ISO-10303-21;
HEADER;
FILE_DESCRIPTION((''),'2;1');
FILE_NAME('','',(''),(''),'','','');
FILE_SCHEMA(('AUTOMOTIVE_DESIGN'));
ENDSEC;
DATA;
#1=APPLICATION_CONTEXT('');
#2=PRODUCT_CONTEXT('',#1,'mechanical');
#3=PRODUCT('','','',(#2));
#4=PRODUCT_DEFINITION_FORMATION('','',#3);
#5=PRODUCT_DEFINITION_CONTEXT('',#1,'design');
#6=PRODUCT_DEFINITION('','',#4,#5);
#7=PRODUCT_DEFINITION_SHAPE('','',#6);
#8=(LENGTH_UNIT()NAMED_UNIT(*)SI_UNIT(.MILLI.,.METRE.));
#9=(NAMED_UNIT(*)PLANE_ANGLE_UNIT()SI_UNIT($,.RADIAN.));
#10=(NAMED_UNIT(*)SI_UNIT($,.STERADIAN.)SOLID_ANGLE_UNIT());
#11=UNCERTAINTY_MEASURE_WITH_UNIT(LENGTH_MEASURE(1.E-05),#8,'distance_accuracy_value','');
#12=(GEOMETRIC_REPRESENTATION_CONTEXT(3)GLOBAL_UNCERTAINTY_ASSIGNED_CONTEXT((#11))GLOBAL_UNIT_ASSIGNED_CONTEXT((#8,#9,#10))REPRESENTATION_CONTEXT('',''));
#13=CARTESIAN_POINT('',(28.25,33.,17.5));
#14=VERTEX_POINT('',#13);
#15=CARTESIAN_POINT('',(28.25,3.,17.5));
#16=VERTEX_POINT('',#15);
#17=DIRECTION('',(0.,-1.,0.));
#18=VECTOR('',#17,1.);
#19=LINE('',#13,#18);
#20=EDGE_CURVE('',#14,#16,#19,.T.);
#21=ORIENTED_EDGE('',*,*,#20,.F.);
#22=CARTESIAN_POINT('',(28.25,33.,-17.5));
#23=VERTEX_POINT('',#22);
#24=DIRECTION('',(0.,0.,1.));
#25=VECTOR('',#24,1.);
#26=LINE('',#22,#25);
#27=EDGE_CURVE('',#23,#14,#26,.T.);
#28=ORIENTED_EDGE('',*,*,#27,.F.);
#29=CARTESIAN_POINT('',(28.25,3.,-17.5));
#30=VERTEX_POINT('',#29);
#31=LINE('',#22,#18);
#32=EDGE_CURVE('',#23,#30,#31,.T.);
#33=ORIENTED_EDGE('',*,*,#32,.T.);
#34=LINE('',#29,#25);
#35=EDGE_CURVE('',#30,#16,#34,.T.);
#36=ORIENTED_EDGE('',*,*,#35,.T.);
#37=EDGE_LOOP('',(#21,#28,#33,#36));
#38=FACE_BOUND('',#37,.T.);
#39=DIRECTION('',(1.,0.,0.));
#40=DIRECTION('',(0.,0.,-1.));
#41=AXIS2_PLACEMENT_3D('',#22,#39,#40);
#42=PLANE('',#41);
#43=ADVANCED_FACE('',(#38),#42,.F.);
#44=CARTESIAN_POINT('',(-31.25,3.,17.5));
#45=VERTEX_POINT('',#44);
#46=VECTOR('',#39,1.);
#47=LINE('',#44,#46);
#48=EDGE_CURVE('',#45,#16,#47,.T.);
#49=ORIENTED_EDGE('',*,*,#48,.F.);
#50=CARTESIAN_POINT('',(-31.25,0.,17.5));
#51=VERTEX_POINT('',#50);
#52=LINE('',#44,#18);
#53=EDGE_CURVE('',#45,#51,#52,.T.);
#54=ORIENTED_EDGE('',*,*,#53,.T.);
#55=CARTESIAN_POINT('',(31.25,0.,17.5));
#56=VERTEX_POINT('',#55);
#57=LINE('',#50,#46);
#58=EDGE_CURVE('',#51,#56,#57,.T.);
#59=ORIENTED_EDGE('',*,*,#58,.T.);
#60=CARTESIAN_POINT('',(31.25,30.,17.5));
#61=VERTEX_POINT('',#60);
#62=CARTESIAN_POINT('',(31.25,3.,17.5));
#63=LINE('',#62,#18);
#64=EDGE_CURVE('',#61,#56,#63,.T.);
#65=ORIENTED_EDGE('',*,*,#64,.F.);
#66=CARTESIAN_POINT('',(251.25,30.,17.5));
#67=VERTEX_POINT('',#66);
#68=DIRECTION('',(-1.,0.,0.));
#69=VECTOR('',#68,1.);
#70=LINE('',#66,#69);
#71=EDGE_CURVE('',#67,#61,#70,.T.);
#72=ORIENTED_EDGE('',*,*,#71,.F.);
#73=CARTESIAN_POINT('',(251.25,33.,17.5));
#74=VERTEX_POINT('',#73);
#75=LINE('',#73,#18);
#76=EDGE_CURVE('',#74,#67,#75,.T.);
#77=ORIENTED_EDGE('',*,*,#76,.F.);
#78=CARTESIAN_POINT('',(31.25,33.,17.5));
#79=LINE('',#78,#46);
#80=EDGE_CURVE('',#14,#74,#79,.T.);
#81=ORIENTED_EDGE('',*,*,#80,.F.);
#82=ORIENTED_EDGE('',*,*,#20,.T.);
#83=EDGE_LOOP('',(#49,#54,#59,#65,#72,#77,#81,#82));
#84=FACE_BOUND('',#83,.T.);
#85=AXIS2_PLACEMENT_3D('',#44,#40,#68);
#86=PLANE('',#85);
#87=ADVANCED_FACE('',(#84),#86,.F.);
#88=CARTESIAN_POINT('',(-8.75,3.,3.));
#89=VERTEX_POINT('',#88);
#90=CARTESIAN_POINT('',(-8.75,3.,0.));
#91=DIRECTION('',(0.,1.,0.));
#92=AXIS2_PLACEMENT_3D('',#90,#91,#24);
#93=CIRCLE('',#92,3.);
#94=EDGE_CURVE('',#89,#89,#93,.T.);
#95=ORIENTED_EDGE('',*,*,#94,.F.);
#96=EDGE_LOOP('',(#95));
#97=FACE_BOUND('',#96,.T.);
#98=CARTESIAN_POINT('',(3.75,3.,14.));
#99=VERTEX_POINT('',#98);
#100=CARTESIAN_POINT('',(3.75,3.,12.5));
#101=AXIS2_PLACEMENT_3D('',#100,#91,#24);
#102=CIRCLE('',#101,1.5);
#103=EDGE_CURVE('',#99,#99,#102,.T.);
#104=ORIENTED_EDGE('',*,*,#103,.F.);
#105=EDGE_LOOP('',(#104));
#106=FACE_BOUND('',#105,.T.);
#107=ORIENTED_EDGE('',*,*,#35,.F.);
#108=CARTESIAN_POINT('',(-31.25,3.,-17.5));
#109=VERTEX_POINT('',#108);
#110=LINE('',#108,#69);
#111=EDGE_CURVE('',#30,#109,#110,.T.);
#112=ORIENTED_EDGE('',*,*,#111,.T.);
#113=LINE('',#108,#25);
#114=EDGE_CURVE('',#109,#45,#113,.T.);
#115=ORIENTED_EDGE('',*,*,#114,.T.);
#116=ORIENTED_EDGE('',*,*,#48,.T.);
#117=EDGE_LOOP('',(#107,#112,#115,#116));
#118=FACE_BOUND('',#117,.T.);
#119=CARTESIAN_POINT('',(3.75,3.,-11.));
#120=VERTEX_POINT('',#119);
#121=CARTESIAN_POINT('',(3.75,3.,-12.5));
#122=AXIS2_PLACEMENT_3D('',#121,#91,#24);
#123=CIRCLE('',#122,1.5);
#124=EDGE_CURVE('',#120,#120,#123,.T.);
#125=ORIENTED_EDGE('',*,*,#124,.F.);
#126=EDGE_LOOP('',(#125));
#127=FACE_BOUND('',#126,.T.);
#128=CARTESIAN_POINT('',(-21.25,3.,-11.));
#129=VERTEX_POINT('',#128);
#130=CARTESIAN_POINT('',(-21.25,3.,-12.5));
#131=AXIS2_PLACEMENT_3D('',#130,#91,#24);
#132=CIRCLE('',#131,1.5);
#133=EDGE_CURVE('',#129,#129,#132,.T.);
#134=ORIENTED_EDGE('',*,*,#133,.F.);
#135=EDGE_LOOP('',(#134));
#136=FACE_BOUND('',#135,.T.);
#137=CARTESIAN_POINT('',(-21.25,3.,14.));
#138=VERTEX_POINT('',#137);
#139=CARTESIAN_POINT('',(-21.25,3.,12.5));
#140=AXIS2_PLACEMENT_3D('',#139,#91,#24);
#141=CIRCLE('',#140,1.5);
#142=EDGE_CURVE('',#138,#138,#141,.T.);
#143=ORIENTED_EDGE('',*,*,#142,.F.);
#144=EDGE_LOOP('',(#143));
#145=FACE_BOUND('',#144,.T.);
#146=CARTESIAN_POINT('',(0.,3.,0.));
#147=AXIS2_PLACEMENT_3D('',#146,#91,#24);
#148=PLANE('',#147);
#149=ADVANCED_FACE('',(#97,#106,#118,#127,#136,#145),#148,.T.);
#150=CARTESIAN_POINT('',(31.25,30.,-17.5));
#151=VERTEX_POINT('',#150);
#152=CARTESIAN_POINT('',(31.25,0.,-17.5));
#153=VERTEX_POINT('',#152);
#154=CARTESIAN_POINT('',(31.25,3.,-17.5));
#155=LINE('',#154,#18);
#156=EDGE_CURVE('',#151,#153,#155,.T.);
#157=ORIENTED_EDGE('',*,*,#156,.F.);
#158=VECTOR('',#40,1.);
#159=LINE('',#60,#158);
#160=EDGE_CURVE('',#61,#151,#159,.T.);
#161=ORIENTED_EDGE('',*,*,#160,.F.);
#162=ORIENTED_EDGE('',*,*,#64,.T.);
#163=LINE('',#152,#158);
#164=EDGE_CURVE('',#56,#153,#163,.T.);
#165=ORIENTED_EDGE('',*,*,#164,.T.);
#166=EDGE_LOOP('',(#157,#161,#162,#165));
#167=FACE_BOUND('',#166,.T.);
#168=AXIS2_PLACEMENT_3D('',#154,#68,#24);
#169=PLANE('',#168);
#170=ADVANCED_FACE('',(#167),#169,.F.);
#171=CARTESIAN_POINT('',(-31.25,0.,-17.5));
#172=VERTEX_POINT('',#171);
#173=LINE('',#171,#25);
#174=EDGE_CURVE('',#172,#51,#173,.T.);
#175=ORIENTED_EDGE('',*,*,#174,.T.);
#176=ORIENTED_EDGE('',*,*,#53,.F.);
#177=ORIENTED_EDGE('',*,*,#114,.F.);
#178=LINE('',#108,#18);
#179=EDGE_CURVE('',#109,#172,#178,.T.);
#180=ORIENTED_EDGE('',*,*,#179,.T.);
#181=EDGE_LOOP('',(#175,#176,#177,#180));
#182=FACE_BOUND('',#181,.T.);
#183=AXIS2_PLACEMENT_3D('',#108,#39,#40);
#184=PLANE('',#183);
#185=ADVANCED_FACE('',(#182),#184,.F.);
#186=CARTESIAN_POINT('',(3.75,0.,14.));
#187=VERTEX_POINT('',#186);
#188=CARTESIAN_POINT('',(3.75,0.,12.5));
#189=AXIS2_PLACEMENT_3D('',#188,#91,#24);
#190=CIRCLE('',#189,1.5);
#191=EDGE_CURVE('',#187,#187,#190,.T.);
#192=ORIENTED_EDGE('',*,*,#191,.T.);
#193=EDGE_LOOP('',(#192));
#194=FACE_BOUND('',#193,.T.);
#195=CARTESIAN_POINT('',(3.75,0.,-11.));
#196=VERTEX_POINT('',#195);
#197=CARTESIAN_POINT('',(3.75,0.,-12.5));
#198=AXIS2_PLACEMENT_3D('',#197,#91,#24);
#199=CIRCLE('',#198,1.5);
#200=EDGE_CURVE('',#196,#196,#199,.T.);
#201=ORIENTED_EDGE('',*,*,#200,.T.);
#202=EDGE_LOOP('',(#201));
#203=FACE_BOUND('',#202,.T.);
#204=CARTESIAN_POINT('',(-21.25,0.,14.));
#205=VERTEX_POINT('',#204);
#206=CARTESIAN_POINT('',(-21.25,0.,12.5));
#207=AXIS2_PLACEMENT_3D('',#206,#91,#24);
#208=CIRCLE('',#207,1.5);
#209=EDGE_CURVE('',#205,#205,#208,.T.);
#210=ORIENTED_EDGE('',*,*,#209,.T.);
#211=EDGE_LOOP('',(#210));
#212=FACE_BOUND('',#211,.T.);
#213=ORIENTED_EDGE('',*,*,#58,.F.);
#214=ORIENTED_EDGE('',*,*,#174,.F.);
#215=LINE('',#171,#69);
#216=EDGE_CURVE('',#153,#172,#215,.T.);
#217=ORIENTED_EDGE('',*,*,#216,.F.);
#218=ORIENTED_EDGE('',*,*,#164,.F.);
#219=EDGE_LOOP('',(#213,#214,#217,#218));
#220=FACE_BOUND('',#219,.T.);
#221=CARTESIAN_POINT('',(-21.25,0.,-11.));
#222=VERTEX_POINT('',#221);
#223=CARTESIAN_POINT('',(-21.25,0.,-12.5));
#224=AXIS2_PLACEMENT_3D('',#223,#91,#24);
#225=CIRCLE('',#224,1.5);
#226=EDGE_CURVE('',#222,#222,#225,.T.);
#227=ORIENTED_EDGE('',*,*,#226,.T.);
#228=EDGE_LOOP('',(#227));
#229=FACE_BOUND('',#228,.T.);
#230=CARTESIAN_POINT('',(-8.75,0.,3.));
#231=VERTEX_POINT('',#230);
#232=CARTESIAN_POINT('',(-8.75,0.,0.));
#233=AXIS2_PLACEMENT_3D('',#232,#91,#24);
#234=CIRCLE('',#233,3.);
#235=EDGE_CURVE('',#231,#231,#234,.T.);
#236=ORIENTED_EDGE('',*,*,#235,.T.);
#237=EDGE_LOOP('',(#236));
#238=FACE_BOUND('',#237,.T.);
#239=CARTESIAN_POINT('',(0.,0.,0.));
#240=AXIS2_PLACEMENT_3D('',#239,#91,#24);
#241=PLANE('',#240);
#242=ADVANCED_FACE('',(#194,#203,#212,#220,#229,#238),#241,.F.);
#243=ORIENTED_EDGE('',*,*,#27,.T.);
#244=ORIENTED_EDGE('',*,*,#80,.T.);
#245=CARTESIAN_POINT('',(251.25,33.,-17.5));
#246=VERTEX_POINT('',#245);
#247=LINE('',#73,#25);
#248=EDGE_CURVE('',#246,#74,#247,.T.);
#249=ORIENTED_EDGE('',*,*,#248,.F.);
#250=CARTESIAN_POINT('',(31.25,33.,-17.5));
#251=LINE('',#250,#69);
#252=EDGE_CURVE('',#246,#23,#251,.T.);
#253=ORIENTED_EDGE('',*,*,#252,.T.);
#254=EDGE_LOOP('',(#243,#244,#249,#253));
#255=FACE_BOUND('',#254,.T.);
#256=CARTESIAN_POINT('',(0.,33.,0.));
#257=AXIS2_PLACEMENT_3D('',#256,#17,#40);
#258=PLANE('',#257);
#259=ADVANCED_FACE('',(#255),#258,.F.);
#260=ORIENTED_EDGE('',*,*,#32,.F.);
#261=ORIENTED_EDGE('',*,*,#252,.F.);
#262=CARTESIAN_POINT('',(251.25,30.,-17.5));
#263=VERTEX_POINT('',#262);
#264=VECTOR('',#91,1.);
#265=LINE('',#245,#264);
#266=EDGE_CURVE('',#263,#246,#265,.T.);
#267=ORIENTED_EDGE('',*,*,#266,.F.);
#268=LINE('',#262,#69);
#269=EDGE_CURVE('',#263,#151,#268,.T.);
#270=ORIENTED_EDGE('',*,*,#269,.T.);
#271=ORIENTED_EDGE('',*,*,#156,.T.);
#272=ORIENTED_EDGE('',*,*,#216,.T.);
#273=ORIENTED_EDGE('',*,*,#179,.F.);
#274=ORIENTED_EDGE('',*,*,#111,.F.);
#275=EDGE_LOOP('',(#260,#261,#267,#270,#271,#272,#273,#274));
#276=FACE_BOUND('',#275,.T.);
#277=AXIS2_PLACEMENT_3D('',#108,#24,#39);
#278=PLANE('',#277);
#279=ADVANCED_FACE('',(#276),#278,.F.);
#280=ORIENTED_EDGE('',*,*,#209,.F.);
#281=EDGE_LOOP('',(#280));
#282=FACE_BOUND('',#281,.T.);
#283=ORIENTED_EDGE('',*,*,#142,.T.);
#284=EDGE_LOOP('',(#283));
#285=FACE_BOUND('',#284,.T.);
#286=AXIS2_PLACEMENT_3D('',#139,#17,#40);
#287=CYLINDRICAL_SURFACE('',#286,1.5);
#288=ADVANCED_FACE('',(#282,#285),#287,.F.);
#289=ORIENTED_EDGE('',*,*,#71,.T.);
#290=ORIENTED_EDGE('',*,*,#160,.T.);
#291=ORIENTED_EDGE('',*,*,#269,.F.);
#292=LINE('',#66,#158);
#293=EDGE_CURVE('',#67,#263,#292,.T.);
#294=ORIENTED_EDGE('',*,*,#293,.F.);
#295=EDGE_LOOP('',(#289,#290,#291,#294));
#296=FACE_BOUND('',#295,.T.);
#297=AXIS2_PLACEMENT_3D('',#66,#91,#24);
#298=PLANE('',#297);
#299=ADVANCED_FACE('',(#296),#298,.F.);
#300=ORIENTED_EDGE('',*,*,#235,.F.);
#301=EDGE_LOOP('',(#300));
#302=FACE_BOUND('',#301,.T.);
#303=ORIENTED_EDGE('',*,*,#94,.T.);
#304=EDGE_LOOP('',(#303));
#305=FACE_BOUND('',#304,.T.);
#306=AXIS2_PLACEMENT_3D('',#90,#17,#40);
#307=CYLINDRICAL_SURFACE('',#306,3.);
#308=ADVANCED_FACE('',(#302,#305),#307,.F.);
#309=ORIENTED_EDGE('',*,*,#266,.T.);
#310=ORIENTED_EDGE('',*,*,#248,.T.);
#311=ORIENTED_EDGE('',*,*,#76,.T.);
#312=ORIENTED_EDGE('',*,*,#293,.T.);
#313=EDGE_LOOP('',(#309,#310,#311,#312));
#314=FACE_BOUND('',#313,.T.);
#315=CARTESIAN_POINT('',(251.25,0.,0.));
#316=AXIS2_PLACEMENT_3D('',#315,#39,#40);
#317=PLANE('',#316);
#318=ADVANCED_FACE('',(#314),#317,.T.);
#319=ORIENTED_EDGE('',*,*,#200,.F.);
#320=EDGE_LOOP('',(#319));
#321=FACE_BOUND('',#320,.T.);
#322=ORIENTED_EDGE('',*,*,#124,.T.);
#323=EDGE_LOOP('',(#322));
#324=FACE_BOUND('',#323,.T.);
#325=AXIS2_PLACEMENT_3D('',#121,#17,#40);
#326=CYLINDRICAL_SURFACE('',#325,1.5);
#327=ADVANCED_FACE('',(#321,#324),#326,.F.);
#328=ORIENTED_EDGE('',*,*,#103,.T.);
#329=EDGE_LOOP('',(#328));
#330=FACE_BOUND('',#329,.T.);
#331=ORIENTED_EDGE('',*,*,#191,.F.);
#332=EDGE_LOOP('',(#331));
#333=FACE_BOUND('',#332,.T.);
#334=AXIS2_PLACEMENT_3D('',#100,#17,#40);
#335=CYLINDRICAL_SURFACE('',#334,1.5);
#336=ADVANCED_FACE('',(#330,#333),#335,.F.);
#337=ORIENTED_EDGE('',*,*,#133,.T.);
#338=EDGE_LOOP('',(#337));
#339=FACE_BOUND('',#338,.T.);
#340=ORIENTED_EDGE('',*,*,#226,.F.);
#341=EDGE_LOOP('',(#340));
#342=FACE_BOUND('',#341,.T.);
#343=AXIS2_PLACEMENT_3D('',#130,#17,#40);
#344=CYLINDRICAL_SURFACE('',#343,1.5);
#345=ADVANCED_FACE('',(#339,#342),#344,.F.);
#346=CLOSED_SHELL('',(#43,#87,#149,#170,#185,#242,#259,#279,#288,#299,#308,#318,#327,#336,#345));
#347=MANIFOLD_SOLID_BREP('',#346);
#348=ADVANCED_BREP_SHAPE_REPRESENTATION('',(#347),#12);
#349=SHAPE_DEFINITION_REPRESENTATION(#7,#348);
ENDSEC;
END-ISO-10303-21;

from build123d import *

# Parameters (mm, degrees)
SKETCH1_W           = 62.5
SKETCH1_H           = 35
SKETCH1_R           = 1.5
SKETCH1_R_2         = 3
BOSS_EXTRUDE1_DEPTH = 3
SKETCH3_W           = 3
SKETCH3_H           = 35
BOSS_EXTRUDE3_DEPTH = 30
SKETCH4_W           = 35
SKETCH4_H           = 3
BOSS_EXTRUDE4_DEPTH = 220


with BuildPart() as part:
    # Sketch1 → Boss-Extrude1 (new body)
    with BuildSketch(Plane(origin=(0, 0, 0), x_dir=(1, 0, 0), z_dir=(0, 1, 0))):
        Rectangle(SKETCH1_W, SKETCH1_H)
        with Locations(Location((-21.25, 12.5, 0), (0, 0, 270))):
            Circle(SKETCH1_R, mode=Mode.SUBTRACT)
        with Locations(Location((-21.25, -12.5, 0), (0, 0, 270))):
            Circle(SKETCH1_R, mode=Mode.SUBTRACT)
        with Locations(Location((3.75, 12.5, 0), (0, 0, 270))):
            Circle(SKETCH1_R, mode=Mode.SUBTRACT)
        with Locations(Location((3.75, -12.5, 0), (0, 0, 270))):
            Circle(SKETCH1_R, mode=Mode.SUBTRACT)
        with Locations(Location((-8.75, 0, 0), (0, 0, 270))):
            Circle(SKETCH1_R_2, mode=Mode.SUBTRACT)
    extrude(amount=BOSS_EXTRUDE1_DEPTH)

    # Sketch3 → Boss-Extrude3 (add)
    with BuildSketch(Plane(origin=(0, 3, 0), x_dir=(1, 0, 0), z_dir=(0, 1, 0))):
        with Locations((29.75, 0)):
            Rectangle(SKETCH3_W, SKETCH3_H)
    extrude(amount=BOSS_EXTRUDE3_DEPTH)

    # Sketch4 → Boss-Extrude4 (add)
    with BuildSketch(Plane(origin=(31.25, 0, 0), x_dir=(0, 0, -1), z_dir=(1, 0, 0))):
        with Locations((0, 31.5)):
            Rectangle(SKETCH4_W, SKETCH4_H)
    extrude(amount=BOSS_EXTRUDE4_DEPTH)


solid = part.part
